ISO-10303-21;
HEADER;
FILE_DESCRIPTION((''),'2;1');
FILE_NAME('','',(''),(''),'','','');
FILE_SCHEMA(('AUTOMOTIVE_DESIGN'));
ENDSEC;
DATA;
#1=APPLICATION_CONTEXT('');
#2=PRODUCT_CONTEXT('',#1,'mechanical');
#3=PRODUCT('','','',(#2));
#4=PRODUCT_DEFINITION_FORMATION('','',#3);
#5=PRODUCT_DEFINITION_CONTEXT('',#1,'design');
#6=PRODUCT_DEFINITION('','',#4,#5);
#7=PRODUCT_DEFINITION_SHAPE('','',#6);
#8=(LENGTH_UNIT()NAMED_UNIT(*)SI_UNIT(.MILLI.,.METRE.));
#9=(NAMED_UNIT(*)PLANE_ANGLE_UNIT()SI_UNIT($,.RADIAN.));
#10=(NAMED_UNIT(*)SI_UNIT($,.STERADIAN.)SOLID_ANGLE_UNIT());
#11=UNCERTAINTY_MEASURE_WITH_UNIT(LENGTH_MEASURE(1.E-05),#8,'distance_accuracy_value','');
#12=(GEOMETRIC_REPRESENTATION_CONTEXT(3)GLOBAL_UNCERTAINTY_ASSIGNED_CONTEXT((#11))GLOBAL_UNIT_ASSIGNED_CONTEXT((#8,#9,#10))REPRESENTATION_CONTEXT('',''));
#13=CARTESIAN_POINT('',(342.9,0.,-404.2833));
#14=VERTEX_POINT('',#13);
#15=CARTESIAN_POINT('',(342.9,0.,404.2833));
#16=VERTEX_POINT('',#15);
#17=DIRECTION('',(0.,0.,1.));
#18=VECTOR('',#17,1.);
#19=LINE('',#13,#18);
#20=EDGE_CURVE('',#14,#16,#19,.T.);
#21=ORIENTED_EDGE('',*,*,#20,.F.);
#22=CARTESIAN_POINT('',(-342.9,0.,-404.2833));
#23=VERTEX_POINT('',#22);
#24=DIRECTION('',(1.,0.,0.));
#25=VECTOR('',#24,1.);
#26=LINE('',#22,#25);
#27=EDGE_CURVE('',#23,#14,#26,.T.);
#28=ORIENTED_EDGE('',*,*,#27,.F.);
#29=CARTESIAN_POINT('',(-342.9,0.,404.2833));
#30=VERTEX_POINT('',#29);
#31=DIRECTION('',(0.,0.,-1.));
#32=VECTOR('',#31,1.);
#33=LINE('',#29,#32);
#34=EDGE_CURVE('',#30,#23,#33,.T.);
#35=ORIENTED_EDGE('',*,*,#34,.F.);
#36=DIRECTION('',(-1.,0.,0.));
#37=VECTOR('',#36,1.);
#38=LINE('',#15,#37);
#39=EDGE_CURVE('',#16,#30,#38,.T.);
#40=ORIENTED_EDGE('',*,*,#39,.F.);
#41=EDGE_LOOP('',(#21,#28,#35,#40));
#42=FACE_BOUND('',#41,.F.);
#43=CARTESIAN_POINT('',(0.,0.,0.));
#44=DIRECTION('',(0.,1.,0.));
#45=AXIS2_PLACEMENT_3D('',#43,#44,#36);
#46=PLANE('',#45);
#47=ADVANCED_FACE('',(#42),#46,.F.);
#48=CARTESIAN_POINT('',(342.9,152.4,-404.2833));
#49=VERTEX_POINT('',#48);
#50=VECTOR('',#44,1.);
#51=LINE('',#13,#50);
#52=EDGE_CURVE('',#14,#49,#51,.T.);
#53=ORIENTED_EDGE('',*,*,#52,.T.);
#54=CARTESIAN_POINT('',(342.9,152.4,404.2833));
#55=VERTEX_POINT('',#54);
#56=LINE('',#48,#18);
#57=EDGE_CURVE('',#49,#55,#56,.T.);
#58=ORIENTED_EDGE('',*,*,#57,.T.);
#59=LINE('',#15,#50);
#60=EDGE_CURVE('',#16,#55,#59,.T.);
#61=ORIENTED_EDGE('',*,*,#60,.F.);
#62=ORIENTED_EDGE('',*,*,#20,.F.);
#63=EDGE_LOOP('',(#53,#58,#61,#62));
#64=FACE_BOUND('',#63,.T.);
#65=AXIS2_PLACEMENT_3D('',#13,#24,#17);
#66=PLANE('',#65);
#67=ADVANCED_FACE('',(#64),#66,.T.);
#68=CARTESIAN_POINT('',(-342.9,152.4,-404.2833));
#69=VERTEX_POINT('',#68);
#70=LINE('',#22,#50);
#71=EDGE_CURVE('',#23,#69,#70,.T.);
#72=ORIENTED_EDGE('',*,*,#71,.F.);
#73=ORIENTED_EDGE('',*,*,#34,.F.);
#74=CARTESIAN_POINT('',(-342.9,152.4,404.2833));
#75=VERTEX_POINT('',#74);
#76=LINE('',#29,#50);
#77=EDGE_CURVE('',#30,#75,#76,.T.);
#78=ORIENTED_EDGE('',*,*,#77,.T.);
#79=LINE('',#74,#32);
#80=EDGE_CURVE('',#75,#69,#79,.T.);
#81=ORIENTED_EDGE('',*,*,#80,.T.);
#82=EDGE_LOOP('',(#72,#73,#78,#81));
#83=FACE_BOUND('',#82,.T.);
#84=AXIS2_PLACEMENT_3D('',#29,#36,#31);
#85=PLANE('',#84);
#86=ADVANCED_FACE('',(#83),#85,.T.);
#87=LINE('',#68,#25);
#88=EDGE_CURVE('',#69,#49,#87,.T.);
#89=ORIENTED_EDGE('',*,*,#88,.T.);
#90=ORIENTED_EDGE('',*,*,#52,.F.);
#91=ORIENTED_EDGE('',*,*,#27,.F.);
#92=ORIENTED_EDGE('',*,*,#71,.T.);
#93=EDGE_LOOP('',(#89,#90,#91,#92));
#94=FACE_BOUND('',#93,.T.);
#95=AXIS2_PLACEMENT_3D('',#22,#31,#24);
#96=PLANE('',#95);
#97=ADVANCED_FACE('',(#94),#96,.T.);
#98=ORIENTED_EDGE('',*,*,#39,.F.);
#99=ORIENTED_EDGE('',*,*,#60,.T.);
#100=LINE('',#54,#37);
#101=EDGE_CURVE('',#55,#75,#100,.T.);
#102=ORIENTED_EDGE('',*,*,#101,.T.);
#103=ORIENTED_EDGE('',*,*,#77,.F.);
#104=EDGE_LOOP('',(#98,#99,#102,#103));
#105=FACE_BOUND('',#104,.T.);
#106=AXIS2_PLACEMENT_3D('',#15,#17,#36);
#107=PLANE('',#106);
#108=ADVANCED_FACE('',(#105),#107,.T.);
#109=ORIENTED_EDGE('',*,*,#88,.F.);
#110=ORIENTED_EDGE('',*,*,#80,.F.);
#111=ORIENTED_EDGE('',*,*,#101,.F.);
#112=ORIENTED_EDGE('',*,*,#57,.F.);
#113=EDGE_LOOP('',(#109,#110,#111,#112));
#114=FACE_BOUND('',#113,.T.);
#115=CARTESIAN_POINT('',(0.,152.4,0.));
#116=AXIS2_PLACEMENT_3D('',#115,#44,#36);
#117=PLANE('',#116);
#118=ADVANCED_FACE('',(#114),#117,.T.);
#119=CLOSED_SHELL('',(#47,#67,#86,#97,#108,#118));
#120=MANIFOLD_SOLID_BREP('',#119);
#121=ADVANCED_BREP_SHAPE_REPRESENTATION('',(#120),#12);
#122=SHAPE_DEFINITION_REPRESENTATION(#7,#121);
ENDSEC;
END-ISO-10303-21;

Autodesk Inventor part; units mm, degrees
ref_plane "YZ Plane" through (0, 0, 0) normal (1, 0, 0) x (0, 1, 0)
ref_plane "XZ Plane" through (0, 0, 0) normal (0, 1, 0) x (-1, 0, 0)
ref_plane "XY Plane" through (0, 0, 0) normal (0, 0, 1) x (1, 0, 0)
sketch "Sketch1" plane through (0, 0, 0) normal (0, 1, 0) x (-1, 0, 0)
  line L0 (-342.9, 404.2833) -> (342.9, 404.2833)
  line L1 (342.9, 404.2833) -> (342.9, -404.2833)
  line L2 (342.9, -404.2833) -> (-342.9, -404.2833)
  line L3 (-342.9, -404.2833) -> (-342.9, 404.2833)
  line L4 (-342.9, 404.2833) -> (342.9, -404.2833) construction
  line L5 (342.9, 404.2833) -> (-342.9, -404.2833) construction
  point P0 (0, 0)
  dimension "d0" = 685.8
  dimension "d1" = 808.5667
extrude "Extrusion1" add sketch "Sketch1" along normal blind 152.4
properties part number "chasse"
